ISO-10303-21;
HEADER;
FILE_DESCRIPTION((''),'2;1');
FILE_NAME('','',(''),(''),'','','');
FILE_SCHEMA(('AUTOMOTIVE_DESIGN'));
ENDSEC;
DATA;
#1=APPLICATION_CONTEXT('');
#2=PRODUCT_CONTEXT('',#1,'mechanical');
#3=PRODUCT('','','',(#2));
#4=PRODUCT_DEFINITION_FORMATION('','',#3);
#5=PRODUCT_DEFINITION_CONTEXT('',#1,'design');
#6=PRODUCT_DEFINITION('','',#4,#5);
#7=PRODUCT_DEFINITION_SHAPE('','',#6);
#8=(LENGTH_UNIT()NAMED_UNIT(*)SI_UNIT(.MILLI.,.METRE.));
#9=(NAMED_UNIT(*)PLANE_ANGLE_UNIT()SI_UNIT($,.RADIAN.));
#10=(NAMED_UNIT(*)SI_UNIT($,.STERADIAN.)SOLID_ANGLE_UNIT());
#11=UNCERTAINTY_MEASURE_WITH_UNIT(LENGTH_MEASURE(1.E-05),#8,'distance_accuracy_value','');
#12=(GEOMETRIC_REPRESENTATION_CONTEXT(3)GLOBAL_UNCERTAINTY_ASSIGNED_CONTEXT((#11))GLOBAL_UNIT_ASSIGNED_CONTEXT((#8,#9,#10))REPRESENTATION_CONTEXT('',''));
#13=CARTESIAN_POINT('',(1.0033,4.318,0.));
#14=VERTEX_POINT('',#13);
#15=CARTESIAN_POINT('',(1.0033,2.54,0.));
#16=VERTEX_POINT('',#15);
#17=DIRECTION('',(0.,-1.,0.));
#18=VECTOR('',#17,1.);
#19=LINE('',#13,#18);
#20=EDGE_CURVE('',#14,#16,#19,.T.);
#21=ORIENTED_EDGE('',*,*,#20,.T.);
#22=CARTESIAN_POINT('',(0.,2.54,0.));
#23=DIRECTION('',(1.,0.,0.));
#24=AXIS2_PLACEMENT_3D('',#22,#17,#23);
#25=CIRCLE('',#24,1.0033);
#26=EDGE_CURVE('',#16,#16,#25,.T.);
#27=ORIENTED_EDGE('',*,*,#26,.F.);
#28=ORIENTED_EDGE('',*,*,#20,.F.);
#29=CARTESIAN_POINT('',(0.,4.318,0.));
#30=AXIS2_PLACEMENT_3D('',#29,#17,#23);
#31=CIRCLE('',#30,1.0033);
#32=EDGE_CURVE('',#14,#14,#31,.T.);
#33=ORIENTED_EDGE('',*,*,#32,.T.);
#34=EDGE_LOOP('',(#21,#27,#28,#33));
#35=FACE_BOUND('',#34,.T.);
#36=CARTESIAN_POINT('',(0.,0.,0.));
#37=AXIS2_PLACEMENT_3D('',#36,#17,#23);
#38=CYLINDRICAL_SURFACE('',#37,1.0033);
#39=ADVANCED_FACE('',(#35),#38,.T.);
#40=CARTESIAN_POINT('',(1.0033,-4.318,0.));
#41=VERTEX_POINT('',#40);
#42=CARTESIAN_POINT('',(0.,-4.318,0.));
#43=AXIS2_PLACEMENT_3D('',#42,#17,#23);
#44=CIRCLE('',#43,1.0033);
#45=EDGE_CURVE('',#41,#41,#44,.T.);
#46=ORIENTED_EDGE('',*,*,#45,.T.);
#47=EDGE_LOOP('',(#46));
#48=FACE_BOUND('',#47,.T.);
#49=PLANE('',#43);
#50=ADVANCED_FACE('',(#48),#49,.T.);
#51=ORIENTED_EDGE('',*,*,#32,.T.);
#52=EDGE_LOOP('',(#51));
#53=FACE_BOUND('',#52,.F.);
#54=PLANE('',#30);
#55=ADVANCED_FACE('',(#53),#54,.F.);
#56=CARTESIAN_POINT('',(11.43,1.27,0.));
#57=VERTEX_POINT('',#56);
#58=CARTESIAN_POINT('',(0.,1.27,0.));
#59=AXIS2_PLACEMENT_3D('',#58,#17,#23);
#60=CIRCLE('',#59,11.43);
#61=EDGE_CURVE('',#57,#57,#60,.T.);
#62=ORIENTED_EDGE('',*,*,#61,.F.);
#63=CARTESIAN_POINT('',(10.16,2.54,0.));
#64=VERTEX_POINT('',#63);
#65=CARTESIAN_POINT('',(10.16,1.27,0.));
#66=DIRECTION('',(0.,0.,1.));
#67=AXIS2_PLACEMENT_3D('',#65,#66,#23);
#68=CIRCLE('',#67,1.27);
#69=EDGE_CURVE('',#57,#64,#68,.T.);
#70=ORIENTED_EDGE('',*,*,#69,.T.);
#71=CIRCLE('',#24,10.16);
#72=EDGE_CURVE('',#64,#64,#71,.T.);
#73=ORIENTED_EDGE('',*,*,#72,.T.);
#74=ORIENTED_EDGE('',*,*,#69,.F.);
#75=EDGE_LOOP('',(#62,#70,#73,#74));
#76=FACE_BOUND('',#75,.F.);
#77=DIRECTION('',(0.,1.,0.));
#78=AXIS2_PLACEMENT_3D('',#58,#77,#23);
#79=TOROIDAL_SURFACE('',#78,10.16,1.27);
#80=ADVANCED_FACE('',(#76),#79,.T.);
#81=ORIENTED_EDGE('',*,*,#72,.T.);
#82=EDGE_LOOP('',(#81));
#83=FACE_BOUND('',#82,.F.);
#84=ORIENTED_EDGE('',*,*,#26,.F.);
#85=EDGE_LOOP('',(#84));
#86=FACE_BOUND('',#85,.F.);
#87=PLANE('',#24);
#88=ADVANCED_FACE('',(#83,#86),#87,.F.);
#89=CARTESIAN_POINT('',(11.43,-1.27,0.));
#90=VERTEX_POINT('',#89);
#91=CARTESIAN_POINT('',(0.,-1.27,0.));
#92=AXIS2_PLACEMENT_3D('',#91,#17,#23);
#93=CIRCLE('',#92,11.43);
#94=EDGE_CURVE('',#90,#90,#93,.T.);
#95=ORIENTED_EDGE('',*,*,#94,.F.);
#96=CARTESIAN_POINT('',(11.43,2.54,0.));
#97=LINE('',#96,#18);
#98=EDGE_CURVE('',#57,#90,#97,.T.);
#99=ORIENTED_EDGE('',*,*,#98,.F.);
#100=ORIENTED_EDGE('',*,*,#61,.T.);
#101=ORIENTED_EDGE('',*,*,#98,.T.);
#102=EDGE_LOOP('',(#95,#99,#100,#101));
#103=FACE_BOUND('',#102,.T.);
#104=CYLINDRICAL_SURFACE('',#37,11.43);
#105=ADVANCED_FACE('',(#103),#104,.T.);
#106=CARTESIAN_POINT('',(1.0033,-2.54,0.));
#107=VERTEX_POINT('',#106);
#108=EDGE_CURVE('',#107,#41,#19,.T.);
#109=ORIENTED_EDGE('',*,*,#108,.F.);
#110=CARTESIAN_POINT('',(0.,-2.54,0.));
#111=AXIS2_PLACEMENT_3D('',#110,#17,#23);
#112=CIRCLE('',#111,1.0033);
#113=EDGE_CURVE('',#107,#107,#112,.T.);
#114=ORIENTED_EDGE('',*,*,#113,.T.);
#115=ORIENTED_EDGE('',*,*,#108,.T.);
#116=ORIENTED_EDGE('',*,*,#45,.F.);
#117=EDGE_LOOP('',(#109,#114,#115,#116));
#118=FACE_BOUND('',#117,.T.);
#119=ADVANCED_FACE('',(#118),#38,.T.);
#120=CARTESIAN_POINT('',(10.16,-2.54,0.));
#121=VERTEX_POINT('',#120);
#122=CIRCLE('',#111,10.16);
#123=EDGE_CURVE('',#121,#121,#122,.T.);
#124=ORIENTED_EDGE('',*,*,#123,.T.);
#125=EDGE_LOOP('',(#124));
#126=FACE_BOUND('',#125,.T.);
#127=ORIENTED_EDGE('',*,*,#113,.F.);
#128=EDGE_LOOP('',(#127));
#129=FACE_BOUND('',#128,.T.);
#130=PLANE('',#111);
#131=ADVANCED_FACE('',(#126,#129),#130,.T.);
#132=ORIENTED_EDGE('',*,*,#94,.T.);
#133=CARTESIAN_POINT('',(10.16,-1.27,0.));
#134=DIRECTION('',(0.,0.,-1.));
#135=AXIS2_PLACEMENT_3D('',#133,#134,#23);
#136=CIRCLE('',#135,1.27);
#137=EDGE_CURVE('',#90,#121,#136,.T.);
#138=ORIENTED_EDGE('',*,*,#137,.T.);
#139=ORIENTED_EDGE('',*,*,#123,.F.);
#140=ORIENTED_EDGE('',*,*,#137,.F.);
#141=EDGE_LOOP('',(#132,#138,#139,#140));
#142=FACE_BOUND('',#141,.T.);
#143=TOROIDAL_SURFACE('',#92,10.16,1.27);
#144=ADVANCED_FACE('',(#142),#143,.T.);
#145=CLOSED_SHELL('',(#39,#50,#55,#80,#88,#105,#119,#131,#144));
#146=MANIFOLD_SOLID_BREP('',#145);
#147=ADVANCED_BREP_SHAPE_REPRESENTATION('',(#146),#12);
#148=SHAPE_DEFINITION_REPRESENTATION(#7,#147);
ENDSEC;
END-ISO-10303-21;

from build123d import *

# Parameters (mm, degrees)
F0_R          = 1.0033
F1_DEPTH      = 4.318
F1_DEPTH_BACK = 4.318
F0_R_2        = 11.43
F2_DEPTH      = 2.54
F2_DEPTH_BACK = 2.54
F3_R          = 1.27


with BuildPart() as f1:
    # F0 (on Front) → F1 (new body, two sides)
    with BuildSketch(Plane.XZ) as f1_sk:
        Circle(F0_R)
    extrude(amount=F1_DEPTH)
    extrude(f1_sk.sketch, amount=-F1_DEPTH_BACK)

    # F0 (on Front) → F2 (join, two sides)
    with BuildSketch(Plane.XZ) as f2_sk:
        Circle(F0_R_2)
        Circle(F0_R, mode=Mode.SUBTRACT)
    extrude(amount=F2_DEPTH)
    extrude(f2_sk.sketch, amount=-F2_DEPTH_BACK)

    # F3
    f3_edges = [f1.edges().sort_by_distance(p)[0] for p in [
        (-11.43, -2.54, 0),
        (-11.43, 2.54, 0),
    ]]
    fillet(f3_edges, radius=F3_R)


solid = f1.part
